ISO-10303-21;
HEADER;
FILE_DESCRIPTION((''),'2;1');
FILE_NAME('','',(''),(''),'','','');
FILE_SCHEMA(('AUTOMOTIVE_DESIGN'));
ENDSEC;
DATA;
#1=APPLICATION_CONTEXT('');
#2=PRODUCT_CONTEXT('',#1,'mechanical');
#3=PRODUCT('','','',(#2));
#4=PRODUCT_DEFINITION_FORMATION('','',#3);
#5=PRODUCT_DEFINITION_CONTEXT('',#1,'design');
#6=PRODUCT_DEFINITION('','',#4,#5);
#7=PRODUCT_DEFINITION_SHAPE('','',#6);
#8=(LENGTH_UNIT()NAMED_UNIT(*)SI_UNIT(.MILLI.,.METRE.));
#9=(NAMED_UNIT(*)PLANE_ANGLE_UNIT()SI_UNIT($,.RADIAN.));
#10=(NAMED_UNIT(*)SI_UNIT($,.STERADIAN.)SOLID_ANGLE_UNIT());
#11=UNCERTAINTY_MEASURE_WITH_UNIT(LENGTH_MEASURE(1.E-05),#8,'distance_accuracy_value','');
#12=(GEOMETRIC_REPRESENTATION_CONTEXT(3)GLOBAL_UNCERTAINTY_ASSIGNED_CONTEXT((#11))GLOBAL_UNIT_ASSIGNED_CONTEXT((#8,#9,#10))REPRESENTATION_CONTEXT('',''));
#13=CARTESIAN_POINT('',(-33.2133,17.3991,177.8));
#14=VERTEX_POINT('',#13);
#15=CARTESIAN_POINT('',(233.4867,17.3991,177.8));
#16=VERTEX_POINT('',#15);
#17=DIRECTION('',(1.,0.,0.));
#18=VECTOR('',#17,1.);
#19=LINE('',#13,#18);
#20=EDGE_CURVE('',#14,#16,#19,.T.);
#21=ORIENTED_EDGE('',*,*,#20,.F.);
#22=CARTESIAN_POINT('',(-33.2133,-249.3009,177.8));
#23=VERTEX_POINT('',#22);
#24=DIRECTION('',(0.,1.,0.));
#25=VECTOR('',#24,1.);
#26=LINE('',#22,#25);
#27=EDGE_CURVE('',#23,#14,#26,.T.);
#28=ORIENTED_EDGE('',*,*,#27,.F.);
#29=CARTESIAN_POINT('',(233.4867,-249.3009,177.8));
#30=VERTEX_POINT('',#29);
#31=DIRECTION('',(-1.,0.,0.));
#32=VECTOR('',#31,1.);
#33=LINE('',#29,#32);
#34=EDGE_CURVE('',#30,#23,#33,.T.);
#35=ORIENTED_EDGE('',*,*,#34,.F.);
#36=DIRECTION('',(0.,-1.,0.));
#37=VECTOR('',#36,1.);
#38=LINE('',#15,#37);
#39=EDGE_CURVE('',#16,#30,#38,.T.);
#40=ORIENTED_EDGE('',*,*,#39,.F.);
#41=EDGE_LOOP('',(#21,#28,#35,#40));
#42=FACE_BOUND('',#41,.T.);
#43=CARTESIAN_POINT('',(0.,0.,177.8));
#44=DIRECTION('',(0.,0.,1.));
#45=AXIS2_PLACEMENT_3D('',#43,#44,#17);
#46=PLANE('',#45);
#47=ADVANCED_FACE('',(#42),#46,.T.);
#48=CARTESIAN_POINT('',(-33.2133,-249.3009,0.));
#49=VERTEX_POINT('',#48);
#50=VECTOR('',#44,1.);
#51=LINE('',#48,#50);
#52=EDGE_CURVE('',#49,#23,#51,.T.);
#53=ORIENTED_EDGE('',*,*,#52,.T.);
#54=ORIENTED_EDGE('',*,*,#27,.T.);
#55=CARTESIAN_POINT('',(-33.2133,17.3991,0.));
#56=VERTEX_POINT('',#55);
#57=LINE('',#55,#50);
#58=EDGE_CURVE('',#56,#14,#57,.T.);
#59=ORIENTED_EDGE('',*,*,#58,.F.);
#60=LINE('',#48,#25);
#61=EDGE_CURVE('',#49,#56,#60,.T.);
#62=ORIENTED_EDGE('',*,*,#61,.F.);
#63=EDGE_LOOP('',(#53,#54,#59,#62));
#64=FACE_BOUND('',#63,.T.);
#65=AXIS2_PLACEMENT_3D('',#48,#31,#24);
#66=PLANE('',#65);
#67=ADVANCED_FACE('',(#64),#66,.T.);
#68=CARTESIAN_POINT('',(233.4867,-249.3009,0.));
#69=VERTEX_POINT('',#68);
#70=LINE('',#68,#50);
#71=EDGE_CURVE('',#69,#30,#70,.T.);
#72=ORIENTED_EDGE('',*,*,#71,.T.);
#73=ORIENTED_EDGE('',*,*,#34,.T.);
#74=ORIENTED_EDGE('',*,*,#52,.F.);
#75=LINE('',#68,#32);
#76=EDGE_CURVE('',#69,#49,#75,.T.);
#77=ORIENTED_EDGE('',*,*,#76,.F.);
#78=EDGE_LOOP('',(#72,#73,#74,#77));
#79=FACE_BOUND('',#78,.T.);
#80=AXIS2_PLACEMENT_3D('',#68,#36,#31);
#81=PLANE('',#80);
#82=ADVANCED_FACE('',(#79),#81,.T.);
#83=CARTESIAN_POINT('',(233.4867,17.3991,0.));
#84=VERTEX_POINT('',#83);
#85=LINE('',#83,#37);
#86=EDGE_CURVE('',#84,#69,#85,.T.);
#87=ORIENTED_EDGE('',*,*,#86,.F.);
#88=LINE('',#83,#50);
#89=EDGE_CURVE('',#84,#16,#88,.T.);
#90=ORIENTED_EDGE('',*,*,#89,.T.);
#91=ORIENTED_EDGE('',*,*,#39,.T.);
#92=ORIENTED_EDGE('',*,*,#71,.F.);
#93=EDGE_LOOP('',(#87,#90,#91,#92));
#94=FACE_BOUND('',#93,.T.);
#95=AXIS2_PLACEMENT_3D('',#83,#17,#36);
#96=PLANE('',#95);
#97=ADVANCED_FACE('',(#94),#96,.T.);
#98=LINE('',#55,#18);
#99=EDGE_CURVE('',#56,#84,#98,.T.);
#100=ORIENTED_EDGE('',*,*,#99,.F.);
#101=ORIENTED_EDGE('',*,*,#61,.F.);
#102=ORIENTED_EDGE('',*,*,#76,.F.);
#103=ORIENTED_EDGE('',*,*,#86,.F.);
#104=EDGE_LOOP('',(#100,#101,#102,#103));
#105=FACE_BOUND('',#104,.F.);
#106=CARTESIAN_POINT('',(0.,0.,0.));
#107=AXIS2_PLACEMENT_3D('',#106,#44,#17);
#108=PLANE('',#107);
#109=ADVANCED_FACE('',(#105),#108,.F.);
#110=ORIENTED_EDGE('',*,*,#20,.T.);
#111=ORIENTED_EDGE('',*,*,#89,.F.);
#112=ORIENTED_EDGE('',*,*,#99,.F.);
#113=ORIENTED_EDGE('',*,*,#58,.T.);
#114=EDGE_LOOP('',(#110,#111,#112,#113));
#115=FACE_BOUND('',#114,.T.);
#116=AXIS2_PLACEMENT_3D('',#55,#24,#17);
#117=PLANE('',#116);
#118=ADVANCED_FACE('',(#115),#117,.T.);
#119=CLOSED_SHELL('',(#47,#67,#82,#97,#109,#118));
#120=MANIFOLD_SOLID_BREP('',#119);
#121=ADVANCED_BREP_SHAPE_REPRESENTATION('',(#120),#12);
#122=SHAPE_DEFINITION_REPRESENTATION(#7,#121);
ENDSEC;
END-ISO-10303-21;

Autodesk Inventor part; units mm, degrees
ref_plane "YZ Plane" through (0, 0, 0) normal (1, 0, 0) x (0, 1, 0)
ref_plane "XZ Plane" through (0, 0, 0) normal (0, 1, 0) x (-1, 0, 0)
ref_plane "XY Plane" through (0, 0, 0) normal (0, 0, 1) x (1, 0, 0)
sketch "Sketch1" plane through (0, 0, 0) normal (0, 0, 1) x (1, 0, 0)
  line L0 (-33.2133, 17.3991) -> (233.4867, 17.3991)
  line L1 (233.4867, 17.3991) -> (233.4867, -249.3009)
  line L2 (233.4867, -249.3009) -> (-33.2133, -249.3009)
  line L3 (-33.2133, -249.3009) -> (-33.2133, 17.3991)
  point P0 (0, 0)
  dimension "d0" = 266.7
  dimension "d1" = 266.7
extrude "Extrusion1" add sketch "Sketch1" along normal blind 177.8
properties part number "computer"
